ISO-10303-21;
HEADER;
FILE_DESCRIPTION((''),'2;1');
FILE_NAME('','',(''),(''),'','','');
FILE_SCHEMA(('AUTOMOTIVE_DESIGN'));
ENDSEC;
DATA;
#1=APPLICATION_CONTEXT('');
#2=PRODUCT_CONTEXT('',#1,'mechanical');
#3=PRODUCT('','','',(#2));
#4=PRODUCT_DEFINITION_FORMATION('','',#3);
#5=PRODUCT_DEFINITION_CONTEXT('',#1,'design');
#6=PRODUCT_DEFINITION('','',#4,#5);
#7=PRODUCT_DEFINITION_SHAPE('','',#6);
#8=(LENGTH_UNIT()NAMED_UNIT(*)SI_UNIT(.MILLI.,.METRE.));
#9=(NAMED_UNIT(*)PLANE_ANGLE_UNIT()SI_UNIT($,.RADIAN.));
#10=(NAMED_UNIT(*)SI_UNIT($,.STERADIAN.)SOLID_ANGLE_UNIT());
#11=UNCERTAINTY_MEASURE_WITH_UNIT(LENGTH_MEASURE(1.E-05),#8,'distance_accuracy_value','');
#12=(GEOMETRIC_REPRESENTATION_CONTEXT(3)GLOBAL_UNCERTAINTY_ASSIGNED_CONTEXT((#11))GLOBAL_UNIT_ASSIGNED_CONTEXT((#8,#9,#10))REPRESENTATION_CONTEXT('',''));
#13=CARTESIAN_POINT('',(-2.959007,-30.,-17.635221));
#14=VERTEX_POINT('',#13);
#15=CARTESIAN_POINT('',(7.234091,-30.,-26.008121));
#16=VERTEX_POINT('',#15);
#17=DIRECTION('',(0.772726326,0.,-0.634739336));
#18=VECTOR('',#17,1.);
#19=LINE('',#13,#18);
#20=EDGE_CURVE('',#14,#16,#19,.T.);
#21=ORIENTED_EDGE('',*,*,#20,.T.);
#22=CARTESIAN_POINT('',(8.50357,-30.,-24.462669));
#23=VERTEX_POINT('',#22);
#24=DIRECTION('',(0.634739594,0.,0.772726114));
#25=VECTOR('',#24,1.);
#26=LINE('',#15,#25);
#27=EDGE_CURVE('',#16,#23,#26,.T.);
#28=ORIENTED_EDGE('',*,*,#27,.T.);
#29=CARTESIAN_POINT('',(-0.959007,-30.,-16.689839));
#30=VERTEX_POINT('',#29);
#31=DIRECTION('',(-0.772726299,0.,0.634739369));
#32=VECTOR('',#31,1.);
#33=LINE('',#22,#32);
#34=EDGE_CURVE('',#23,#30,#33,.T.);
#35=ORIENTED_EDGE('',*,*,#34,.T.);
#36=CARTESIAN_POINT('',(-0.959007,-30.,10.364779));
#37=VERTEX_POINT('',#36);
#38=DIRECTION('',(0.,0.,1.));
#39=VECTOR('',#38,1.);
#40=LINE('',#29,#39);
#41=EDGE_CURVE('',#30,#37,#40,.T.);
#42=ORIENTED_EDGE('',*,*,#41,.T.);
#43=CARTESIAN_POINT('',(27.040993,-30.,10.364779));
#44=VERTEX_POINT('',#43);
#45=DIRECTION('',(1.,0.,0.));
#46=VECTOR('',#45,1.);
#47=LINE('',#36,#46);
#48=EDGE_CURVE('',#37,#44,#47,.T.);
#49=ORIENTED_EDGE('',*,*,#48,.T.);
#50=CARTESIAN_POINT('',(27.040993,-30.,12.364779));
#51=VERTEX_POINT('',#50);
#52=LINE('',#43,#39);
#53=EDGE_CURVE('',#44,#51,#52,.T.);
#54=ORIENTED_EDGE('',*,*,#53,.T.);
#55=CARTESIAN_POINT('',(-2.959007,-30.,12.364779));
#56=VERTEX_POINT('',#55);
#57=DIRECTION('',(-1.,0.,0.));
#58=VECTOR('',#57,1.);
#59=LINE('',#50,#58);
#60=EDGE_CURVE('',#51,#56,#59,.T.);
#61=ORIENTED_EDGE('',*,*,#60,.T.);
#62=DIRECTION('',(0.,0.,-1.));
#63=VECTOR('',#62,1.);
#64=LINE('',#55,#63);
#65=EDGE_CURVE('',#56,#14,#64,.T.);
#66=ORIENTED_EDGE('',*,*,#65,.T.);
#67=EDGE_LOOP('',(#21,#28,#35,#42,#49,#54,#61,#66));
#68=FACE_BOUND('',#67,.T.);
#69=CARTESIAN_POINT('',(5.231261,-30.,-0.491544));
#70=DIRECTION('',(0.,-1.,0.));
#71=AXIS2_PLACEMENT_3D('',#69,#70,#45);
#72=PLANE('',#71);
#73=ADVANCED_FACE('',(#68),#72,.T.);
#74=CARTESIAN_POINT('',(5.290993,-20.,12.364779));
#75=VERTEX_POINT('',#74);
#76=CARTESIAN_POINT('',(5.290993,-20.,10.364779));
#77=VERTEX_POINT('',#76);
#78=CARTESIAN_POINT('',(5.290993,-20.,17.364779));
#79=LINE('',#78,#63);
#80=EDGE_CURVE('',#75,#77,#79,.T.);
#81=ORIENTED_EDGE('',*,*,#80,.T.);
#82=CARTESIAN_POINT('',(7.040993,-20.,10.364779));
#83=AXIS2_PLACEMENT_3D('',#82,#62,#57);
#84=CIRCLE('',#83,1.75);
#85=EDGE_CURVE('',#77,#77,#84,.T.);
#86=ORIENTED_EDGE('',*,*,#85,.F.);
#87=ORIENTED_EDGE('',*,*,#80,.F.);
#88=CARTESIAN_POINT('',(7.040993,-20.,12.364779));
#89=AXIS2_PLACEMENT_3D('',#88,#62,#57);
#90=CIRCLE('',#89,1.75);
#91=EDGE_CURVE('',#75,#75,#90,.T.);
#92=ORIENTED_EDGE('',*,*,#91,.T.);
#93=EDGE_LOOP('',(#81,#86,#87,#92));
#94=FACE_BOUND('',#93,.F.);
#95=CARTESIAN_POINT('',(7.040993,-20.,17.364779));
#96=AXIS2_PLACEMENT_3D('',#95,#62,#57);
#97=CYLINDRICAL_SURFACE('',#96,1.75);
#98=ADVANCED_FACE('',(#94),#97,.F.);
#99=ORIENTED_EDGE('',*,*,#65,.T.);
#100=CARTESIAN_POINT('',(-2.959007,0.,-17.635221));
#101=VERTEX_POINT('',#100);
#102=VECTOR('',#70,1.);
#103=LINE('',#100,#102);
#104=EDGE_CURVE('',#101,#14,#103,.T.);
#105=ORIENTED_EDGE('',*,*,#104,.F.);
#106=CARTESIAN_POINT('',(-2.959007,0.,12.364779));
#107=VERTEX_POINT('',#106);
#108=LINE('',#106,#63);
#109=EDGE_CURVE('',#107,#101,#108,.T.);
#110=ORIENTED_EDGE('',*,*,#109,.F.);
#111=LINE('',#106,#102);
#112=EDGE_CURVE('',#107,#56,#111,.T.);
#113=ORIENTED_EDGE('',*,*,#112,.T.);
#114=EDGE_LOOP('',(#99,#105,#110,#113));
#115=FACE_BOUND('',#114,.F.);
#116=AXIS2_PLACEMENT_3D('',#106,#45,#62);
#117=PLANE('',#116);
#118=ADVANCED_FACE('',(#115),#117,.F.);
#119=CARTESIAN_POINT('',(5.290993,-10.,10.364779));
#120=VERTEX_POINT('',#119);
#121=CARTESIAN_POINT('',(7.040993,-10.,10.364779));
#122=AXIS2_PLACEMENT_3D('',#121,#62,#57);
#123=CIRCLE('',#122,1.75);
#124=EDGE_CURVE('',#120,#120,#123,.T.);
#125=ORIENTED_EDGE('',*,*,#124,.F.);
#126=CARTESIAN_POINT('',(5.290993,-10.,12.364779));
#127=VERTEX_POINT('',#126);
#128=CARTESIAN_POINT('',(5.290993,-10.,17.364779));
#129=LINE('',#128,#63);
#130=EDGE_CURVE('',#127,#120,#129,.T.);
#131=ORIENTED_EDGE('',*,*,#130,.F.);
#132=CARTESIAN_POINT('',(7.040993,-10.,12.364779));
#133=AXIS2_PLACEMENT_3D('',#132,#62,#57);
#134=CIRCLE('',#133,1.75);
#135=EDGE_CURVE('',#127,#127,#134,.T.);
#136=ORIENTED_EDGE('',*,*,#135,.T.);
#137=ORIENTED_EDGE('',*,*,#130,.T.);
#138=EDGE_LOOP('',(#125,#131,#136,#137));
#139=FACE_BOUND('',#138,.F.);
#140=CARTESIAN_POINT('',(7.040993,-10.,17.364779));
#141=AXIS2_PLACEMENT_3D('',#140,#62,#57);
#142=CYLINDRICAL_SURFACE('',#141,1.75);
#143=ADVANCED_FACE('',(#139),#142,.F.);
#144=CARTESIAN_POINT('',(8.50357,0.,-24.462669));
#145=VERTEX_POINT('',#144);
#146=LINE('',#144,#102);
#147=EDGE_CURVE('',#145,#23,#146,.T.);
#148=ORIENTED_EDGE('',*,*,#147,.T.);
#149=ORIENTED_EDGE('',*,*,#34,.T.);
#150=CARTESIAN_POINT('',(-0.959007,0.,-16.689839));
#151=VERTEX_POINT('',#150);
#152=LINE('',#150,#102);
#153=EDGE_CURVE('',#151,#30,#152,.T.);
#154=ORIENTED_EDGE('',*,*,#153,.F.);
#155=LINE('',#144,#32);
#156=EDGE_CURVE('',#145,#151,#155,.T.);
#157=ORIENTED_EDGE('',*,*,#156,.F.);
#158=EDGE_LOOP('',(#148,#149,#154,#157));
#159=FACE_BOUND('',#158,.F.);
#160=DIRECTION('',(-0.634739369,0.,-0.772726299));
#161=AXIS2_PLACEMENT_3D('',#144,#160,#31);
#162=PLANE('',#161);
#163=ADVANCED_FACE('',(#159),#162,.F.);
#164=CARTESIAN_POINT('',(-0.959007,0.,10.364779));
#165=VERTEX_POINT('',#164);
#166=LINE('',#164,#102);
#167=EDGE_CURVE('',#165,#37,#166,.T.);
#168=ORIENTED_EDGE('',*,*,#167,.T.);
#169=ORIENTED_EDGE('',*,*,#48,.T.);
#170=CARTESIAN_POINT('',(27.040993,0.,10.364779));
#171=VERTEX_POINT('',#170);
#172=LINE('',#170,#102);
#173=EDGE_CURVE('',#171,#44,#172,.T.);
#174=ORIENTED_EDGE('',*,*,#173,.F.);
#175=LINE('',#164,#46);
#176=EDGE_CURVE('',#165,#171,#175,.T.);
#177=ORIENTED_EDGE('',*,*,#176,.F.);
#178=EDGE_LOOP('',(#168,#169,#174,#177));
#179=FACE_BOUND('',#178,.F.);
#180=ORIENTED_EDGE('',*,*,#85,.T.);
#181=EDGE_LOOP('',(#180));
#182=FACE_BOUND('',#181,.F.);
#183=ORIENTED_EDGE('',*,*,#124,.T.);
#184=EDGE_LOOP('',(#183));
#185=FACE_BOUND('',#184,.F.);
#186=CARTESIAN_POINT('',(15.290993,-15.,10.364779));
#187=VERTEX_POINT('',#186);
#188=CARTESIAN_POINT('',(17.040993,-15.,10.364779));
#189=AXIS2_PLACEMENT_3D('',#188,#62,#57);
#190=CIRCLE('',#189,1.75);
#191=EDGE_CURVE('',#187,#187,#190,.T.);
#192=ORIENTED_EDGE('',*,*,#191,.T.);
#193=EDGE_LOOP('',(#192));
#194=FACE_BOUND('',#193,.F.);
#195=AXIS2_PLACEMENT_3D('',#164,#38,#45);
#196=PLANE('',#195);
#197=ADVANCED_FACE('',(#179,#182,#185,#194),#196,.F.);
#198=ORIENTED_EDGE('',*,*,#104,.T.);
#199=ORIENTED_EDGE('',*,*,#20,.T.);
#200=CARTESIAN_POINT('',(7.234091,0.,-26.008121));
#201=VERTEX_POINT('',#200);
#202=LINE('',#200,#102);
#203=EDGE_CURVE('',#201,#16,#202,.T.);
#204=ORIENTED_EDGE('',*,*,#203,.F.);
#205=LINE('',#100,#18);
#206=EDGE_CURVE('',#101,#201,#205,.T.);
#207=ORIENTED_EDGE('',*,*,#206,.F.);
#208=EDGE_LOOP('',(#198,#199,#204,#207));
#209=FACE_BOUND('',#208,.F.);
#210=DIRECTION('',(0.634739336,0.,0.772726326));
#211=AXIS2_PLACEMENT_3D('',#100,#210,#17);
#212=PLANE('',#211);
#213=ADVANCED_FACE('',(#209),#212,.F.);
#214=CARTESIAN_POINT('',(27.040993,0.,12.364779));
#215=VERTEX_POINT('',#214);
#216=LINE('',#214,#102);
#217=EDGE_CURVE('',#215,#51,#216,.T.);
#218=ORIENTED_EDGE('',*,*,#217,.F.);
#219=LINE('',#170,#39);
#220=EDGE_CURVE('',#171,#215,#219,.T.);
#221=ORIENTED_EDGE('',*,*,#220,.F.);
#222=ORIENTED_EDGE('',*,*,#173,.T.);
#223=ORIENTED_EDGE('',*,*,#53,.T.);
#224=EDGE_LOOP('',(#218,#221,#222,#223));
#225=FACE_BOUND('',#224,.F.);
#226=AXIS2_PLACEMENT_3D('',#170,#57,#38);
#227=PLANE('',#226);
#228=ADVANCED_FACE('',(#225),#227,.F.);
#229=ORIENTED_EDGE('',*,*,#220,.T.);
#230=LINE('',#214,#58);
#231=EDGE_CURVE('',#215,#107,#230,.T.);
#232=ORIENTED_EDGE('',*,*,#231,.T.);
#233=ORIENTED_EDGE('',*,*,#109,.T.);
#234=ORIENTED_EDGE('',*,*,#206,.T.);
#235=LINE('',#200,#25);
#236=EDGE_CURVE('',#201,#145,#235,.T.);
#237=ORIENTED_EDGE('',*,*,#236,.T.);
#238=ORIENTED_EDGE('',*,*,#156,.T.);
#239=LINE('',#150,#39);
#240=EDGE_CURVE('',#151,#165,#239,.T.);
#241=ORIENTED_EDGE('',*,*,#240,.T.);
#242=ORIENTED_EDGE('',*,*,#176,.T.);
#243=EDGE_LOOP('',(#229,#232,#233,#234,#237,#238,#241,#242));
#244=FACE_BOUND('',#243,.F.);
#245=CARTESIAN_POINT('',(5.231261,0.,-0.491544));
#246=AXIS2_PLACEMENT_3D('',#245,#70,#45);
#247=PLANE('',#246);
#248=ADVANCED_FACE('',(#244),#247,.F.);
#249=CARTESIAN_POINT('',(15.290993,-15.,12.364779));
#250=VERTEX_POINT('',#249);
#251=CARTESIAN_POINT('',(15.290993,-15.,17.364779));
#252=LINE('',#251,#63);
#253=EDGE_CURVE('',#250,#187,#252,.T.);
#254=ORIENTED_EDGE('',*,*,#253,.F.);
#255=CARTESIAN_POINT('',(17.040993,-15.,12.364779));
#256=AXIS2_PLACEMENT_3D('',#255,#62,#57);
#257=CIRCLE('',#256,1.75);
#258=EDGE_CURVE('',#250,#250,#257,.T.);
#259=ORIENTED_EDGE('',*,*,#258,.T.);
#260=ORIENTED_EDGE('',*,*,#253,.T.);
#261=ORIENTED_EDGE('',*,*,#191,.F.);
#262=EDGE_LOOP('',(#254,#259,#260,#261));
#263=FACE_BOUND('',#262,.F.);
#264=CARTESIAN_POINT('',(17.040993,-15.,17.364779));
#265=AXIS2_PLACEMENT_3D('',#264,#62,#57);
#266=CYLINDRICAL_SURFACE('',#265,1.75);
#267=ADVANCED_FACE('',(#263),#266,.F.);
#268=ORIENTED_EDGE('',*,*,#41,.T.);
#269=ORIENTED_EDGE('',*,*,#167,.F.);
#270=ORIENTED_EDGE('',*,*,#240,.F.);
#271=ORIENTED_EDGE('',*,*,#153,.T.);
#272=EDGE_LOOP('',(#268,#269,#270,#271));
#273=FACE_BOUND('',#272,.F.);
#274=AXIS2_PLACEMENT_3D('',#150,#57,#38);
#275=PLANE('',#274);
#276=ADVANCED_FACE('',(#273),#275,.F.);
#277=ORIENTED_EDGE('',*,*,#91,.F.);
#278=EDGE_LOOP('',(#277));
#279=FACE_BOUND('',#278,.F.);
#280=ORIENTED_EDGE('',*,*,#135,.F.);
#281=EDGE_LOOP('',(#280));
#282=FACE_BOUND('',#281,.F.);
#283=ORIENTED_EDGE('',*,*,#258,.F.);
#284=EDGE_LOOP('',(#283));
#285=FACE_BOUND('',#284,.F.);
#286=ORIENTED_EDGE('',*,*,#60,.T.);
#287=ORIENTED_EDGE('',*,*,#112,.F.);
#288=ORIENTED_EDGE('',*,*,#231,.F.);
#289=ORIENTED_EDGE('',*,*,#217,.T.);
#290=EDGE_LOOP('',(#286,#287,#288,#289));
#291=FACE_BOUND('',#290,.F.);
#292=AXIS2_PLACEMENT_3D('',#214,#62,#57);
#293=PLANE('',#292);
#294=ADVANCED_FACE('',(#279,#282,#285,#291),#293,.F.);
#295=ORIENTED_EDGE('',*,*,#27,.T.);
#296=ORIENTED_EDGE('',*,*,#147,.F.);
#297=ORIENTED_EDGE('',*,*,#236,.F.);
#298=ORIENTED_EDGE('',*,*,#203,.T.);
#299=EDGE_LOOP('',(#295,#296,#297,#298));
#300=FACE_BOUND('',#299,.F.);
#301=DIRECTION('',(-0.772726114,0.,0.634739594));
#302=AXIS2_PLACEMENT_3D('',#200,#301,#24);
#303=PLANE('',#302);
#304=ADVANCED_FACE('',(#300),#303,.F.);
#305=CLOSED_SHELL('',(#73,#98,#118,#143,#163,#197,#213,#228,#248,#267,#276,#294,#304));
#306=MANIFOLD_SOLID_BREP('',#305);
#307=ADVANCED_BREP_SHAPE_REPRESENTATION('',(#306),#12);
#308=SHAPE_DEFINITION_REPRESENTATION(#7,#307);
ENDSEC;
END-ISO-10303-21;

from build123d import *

# Parameters (mm, degrees)
F1_DEPTH = 30
F3_D     = 3.5
F3_DEPTH = 5


with BuildPart() as f1:
    # F0 (on Front) → F1 (new body)
    with BuildSketch(Plane.XZ):
        Polygon((27.040993, 12.364779), (-2.959007, 12.364779), (-2.959007, -17.635221), (7.234091, -26.008121), (8.50357, -24.462669), (-0.959007, -16.689839), (-0.959007, 10.364779), (27.040993, 10.364779), align=None)
    extrude(amount=F1_DEPTH)

    # F3
    with Locations(Plane.XY.offset(12.364779)):
        with Locations((7.040993, -10), (17.040993, -15), (7.040993, -20)):
            Hole(F3_D / 2, depth=F3_DEPTH)


solid = f1.part
